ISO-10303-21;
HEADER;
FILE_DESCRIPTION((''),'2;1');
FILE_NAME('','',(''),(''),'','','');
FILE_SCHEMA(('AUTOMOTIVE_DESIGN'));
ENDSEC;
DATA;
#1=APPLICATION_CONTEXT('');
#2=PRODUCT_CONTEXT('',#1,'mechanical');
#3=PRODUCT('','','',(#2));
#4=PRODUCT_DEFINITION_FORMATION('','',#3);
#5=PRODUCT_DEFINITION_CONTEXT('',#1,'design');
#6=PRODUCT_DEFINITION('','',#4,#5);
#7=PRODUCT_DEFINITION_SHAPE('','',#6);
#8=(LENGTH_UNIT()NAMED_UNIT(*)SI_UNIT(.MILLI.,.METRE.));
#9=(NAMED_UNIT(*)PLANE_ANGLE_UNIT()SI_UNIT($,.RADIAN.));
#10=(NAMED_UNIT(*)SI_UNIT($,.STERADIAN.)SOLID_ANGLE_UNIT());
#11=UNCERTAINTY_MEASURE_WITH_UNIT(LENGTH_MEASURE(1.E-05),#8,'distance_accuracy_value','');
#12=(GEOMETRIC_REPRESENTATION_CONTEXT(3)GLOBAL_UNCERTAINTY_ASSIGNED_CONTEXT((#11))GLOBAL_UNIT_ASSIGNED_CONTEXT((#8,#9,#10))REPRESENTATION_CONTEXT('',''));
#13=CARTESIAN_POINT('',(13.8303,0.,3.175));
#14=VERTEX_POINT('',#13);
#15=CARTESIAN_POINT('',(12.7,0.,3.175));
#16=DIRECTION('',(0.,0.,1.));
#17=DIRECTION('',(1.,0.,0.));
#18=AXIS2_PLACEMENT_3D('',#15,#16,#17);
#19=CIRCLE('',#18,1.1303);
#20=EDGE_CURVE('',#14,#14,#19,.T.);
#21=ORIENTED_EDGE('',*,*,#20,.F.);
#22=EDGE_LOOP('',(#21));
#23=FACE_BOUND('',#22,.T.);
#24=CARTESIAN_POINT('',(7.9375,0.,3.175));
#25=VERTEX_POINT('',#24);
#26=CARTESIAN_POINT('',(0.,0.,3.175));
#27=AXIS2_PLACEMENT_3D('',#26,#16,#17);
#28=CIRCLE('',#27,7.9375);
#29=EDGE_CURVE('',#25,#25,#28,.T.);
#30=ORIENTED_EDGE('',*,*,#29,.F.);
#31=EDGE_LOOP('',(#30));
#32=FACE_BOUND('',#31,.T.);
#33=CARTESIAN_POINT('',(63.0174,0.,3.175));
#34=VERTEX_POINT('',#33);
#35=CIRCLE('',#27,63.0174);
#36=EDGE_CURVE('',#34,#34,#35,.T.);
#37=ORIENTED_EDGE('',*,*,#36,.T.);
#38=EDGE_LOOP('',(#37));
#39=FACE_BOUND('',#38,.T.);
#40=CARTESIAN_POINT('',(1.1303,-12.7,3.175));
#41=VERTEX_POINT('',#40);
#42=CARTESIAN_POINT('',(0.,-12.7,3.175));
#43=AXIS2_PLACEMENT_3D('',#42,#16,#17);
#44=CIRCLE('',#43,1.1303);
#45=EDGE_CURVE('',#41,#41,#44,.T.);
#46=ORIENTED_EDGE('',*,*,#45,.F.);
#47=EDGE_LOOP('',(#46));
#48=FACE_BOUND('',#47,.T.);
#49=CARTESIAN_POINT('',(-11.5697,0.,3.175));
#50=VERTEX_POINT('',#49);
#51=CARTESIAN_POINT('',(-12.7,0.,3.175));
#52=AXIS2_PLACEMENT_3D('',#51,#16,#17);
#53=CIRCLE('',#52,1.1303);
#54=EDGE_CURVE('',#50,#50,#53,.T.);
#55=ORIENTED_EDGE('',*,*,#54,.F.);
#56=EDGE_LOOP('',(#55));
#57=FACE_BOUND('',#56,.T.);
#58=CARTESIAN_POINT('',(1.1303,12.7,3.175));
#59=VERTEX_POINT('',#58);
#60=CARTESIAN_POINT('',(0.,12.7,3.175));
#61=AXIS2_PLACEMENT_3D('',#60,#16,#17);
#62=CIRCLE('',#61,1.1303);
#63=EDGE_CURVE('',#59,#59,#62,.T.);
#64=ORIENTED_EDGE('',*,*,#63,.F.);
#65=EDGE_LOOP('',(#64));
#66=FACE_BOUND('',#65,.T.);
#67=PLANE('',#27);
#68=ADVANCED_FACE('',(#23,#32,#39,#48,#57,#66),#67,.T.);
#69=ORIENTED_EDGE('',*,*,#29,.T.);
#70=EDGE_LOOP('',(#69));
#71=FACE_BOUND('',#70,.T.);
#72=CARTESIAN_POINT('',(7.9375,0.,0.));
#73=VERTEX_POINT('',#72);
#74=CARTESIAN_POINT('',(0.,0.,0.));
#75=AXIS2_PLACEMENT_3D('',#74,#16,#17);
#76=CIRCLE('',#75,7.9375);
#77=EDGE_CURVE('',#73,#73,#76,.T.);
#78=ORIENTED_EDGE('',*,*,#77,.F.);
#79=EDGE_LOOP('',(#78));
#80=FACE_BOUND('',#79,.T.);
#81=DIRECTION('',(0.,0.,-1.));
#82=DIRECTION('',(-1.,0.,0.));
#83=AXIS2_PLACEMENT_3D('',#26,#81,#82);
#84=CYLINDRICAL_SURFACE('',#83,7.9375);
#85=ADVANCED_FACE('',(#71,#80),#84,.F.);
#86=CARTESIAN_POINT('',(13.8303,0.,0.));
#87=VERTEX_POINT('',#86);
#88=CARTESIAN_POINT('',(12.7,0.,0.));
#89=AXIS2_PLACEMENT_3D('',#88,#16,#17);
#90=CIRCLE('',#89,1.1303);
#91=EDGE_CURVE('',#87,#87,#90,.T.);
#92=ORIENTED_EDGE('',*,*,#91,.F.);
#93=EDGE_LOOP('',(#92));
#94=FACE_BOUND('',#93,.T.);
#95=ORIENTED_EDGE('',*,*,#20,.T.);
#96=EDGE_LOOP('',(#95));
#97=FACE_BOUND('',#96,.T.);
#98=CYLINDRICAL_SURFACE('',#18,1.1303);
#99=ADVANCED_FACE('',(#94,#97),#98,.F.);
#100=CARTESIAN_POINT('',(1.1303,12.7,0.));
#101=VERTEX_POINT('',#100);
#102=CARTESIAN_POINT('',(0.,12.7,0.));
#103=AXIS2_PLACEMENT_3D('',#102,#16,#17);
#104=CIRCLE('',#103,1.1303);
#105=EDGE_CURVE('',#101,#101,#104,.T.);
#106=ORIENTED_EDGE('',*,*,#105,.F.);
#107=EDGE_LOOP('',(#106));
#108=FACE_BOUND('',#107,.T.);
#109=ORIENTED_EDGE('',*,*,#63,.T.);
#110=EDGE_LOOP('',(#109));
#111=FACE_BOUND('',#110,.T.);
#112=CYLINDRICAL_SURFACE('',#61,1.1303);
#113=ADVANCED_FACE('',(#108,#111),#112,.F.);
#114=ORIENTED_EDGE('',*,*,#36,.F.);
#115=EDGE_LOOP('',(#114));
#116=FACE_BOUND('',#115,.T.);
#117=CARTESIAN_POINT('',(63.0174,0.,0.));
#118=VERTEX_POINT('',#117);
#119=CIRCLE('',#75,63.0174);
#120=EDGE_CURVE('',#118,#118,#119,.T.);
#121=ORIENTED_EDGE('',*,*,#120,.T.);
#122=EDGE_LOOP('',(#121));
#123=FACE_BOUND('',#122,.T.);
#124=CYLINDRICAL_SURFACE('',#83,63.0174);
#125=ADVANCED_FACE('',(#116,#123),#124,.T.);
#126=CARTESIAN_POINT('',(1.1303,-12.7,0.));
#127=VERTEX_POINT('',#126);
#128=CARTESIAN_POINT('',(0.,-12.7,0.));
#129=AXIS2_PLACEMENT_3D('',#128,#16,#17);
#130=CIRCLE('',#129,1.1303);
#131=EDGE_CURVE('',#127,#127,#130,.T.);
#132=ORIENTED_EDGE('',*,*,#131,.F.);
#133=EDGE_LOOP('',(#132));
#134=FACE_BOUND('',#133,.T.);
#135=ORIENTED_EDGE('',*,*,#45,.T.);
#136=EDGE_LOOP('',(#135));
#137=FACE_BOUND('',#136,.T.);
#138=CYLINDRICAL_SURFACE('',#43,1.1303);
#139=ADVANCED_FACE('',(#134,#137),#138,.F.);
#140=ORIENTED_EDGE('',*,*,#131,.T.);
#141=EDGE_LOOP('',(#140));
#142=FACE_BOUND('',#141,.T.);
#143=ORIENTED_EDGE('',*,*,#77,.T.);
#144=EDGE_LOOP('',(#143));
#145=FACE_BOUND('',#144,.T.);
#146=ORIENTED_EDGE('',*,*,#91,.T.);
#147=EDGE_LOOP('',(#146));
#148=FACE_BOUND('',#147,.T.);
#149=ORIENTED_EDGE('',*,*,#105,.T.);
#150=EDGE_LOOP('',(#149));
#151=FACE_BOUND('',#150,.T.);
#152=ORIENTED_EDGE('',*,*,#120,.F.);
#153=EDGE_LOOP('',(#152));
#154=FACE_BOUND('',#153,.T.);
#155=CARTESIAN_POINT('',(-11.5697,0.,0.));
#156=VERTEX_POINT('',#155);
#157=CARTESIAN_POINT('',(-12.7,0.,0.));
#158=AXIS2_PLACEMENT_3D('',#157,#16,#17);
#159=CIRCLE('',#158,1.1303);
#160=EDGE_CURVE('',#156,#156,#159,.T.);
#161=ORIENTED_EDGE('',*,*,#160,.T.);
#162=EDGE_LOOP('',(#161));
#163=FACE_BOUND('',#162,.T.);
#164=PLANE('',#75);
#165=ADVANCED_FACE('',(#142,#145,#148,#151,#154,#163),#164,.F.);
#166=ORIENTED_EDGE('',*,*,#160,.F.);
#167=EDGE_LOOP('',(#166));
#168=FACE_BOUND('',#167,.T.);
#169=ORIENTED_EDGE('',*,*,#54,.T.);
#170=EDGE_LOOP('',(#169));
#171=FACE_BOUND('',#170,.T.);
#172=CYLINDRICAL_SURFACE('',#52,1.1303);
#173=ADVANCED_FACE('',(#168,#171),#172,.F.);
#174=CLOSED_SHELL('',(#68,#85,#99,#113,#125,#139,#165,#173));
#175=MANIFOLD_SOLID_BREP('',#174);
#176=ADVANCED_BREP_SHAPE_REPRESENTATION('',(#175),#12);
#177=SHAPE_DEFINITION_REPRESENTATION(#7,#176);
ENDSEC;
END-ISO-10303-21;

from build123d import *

# Parameters (mm, degrees)
SKETCH1_R                     = 63.0174
SKETCH1_R_2                   = 7.9375
BOSS_EXTRUDE1_DEPTH           = 3.175
TAP_DRILL_FOR_4_40_TAP1_D     = 2.2606
TAP_DRILL_FOR_4_40_TAP1_DEPTH = 4
TAP_DRILL_FOR_4_40_TAP1_TIP   = 0.679152758


with BuildPart() as part:
    # Sketch1 → Boss-Extrude1 (new body)
    with BuildSketch(Plane.XY):
        Circle(SKETCH1_R)
        Circle(SKETCH1_R_2, mode=Mode.SUBTRACT)
    extrude(amount=BOSS_EXTRUDE1_DEPTH)

    # Tap Drill for #4-40 Tap1
    with Locations(Plane.XY.offset(3.175)):
        with Locations((0, 12.7), (0, -12.7), (12.7, 0), (-12.7, 0)):
            Hole(TAP_DRILL_FOR_4_40_TAP1_D / 2, depth=TAP_DRILL_FOR_4_40_TAP1_DEPTH)
            with Locations((0, 0, -(TAP_DRILL_FOR_4_40_TAP1_DEPTH + TAP_DRILL_FOR_4_40_TAP1_TIP / 2))):  # 118° drill point
                Cone(0, TAP_DRILL_FOR_4_40_TAP1_D / 2, TAP_DRILL_FOR_4_40_TAP1_TIP, mode=Mode.SUBTRACT)


solid = part.part
